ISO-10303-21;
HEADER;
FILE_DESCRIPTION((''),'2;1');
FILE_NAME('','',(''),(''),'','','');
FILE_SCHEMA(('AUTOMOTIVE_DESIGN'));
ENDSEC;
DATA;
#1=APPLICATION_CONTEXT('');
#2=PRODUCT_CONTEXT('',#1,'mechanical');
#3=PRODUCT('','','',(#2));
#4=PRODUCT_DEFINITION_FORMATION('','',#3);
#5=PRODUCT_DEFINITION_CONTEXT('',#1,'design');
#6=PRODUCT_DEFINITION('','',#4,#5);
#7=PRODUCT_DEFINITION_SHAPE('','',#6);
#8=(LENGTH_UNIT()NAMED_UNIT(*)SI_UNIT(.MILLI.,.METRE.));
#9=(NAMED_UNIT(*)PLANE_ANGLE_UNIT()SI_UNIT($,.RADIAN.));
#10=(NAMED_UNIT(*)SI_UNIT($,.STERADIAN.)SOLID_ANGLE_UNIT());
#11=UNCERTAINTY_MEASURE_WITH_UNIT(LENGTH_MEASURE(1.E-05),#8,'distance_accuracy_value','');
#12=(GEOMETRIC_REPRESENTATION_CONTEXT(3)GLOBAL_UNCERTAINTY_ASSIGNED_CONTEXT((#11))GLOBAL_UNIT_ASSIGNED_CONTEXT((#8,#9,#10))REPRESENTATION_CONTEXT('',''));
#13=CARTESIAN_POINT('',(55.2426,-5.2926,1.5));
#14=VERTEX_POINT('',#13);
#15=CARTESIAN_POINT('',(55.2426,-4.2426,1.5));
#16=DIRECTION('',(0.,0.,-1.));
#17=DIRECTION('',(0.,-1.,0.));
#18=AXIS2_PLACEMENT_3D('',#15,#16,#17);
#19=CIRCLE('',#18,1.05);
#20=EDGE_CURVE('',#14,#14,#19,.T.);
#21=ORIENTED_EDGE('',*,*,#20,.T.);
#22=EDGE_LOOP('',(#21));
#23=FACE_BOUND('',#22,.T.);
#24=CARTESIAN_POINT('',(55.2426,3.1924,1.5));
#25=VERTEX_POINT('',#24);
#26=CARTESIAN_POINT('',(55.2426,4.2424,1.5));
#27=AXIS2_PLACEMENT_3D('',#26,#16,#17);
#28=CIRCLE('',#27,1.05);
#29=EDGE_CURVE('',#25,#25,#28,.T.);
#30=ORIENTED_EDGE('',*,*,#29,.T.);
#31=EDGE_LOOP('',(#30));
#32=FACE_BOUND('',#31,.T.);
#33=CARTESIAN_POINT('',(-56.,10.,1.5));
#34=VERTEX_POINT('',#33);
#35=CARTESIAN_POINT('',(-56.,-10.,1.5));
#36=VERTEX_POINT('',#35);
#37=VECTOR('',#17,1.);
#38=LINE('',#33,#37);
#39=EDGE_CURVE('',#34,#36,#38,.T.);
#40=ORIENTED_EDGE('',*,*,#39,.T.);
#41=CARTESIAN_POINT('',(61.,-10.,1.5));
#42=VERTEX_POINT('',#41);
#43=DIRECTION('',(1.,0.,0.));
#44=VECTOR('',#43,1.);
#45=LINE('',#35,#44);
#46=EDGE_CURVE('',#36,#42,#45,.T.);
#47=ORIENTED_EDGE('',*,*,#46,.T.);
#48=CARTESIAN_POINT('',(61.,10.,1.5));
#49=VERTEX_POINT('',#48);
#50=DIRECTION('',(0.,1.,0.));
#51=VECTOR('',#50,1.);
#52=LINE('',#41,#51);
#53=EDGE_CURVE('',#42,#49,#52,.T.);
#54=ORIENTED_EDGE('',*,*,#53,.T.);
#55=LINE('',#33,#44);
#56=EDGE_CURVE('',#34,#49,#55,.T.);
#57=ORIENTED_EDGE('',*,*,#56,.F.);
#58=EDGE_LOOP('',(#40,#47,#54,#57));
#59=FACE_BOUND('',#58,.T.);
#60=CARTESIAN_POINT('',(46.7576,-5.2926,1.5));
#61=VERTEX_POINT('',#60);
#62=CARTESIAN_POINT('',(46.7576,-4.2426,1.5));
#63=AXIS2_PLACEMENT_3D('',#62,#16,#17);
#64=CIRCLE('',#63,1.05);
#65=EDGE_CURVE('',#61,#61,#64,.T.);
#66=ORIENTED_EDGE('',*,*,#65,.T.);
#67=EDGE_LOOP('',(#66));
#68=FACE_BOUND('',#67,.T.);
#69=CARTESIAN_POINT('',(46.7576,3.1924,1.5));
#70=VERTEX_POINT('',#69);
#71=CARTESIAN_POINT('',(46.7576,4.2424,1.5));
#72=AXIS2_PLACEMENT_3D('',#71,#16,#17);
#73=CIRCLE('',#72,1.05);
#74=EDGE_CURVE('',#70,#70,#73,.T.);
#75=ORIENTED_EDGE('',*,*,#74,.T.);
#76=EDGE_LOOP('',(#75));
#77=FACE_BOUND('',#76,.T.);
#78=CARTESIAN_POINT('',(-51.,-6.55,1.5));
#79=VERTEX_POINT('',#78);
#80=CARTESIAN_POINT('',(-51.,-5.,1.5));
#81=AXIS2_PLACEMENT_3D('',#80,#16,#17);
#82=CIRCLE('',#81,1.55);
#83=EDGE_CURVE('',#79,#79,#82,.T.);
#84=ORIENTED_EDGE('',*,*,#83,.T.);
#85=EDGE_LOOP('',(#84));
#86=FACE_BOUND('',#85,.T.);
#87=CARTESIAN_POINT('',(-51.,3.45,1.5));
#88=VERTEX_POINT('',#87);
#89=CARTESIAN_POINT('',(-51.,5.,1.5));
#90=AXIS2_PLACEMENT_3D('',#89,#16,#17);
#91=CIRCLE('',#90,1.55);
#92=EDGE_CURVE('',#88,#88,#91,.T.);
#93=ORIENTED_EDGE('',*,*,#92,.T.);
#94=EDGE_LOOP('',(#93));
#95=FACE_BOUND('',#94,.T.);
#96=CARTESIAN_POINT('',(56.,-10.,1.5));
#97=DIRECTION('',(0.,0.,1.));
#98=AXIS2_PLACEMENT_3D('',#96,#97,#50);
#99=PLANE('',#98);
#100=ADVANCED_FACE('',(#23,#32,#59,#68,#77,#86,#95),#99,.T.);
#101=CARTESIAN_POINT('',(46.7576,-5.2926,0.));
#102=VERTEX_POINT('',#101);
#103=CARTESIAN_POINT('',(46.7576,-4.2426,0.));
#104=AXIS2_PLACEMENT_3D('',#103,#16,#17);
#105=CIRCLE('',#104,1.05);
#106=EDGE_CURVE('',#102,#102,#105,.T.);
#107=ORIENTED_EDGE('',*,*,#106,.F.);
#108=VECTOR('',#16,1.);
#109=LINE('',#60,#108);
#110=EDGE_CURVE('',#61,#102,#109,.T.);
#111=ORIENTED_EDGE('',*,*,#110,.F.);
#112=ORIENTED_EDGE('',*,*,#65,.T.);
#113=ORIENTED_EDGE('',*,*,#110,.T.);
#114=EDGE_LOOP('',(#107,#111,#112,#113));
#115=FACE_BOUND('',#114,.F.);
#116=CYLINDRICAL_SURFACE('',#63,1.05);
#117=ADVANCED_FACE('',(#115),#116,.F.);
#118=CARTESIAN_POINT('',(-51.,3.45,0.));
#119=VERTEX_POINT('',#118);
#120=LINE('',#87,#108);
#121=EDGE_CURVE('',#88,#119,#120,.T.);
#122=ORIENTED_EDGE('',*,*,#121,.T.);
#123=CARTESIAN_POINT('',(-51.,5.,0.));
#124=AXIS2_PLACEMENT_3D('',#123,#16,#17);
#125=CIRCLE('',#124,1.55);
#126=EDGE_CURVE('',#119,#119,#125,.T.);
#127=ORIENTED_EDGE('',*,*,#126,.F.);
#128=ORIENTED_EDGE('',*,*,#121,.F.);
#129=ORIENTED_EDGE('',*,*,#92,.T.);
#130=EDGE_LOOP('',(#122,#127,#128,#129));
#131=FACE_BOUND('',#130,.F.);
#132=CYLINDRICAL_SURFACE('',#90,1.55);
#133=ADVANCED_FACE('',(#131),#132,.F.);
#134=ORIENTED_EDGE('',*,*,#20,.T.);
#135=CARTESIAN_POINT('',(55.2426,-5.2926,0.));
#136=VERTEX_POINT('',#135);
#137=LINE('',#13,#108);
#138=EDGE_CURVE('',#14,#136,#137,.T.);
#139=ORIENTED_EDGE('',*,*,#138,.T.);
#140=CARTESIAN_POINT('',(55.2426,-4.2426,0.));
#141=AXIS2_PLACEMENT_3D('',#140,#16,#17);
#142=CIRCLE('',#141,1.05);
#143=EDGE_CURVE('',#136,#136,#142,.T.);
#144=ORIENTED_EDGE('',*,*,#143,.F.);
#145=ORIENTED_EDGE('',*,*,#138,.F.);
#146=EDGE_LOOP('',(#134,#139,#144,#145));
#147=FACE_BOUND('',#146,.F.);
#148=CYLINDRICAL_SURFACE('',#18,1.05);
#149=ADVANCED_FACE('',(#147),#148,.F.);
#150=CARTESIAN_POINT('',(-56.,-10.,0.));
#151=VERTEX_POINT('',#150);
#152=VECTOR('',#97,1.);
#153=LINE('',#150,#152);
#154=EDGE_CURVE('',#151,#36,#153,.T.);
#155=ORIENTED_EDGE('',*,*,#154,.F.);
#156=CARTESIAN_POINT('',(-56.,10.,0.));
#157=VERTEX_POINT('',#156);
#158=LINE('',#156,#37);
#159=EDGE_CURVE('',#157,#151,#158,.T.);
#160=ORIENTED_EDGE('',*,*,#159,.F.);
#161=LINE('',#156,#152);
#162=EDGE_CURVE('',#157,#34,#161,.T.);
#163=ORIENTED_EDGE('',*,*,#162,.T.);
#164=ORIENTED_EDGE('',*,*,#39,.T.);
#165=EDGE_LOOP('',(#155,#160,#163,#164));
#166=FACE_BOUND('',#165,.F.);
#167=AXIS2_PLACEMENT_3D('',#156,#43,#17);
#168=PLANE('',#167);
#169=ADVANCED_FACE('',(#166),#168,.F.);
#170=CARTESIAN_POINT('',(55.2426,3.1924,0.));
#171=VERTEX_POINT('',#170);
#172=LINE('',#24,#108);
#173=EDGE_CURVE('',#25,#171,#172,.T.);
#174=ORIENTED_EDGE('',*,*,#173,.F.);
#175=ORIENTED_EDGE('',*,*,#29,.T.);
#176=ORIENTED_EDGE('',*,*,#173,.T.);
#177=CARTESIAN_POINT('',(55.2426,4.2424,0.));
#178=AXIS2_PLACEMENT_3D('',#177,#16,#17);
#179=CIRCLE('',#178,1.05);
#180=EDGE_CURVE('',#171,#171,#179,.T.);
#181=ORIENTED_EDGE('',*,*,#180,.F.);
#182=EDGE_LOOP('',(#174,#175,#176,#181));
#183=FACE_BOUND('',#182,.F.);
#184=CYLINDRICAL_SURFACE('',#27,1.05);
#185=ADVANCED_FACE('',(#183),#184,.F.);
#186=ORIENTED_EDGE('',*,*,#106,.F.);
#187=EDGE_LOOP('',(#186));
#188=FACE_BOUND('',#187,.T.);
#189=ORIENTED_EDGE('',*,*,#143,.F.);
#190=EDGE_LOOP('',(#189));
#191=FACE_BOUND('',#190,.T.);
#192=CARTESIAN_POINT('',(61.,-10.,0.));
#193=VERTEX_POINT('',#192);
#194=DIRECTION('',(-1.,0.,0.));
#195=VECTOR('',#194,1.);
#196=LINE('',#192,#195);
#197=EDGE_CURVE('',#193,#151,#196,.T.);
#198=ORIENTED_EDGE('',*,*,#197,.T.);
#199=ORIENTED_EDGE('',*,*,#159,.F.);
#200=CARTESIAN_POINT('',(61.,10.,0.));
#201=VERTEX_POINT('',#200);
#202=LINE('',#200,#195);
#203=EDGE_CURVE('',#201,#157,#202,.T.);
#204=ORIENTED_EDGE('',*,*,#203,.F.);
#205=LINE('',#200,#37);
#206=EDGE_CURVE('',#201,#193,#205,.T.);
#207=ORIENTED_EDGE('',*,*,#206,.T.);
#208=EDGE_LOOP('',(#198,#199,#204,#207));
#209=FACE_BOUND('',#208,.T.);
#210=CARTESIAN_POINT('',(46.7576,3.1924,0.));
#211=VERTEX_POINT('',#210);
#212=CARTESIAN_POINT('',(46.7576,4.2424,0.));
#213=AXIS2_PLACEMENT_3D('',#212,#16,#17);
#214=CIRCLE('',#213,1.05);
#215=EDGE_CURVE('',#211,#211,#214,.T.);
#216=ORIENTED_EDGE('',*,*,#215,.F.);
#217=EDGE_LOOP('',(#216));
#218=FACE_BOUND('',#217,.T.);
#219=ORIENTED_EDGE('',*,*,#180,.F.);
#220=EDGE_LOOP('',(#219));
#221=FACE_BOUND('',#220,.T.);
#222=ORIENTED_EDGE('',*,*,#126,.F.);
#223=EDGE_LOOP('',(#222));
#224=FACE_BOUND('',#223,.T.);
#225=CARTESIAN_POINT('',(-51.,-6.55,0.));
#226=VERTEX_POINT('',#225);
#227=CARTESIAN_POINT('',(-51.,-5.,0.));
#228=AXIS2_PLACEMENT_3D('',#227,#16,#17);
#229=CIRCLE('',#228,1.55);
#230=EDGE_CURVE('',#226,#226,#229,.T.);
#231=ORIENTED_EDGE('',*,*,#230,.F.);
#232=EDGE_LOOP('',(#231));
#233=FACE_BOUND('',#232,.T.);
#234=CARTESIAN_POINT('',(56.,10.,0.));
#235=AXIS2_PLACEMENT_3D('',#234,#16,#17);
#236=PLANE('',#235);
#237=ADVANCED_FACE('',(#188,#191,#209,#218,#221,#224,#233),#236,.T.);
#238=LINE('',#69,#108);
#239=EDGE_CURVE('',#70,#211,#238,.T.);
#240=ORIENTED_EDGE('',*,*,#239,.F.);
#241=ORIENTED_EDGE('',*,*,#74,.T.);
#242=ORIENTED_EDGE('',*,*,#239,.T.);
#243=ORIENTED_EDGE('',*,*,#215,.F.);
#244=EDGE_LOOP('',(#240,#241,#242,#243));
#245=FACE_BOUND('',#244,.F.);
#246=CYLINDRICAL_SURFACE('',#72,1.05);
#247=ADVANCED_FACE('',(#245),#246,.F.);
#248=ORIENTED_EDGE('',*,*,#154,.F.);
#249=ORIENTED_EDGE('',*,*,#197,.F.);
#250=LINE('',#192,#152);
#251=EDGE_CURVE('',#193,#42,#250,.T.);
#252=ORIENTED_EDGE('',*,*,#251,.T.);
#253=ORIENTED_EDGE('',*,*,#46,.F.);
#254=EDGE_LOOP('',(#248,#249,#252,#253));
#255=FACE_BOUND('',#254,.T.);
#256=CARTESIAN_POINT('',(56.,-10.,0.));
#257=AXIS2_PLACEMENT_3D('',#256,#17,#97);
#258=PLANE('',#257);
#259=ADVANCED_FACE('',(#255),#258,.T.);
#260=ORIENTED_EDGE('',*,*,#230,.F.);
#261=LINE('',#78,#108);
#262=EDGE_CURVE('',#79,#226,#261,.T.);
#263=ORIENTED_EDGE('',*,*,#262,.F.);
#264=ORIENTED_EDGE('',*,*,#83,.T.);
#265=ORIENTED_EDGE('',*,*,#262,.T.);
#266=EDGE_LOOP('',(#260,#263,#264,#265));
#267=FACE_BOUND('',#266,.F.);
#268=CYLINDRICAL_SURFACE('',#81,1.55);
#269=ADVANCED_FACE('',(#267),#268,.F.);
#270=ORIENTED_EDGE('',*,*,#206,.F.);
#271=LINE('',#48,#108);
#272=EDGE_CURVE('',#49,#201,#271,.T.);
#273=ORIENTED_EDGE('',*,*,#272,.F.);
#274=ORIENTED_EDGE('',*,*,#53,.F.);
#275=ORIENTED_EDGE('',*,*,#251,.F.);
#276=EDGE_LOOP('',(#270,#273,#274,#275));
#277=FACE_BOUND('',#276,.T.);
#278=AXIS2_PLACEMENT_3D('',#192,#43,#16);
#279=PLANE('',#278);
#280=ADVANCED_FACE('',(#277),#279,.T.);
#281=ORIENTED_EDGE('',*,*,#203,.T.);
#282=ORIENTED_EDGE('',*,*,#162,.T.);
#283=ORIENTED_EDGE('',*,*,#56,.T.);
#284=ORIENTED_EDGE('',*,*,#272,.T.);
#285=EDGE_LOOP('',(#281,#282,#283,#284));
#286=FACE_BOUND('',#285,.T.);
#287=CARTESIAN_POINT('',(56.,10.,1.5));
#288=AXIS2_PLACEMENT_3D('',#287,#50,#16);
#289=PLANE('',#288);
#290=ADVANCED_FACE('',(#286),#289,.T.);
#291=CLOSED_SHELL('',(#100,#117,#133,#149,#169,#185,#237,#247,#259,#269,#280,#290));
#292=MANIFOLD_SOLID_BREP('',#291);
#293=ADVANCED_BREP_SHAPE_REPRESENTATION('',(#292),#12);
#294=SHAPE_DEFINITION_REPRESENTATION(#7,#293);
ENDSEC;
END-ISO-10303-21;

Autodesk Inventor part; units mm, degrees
ref_plane "YZ Plane" through (0, 0, 0) normal (1, 0, 0) x (0, 1, 0)
ref_plane "XZ Plane" through (0, 0, 0) normal (0, 1, 0) x (-1, 0, 0)
ref_plane "XY Plane" through (0, 0, 0) normal (0, 0, 1) x (1, 0, 0)
sketch "スケッチ1" plane through (0, 0, 0) normal (0, 0, 1) x (1, 0, 0)
  line L0 (56, 10) -> (-56, 10)
  line L1 (-56, 10) -> (-56, -10)
  line L2 (-56, -10) -> (56, -10)
  line L3 (56, -10) -> (56, 10)
  line L4 (56, 10) -> (-56, -10) construction
  line L5 (-56, 10) -> (56, -10) construction
  point P0 (0, 0)
  dimension "d0" = 112
  dimension "d1" = 20
extrude "押し出し1" add sketch "スケッチ1" along normal blind 1.5
sketch "スケッチ3" plane through (0, 0, 1.5) normal (0, 0, 1) x (1, 0, 0)
  line L0 (56, 10) -> (-56, 10) projected
  line L1 (-56, 10) -> (-56, -10) projected
  point P0 (0, 0)
  point P1 (-51, 5)
  point P2 (-51, -5)
  dimension "d10" = 10
  dimension "d11" = 5
  dimension "d12" = 5
hole "穴1" at (-51, 5, 1.5) at (-51, -5, 1.5) direction (0, 0, -1) diameter 3.1 end through all
sketch "スケッチ7" plane through (56, -10, 0) normal (1, 0, 0) x (0, 0, -1)
  line L0 (-1.5, 20) -> (0, 20)
  line L1 (0, 20) -> (0, 0)
  line L2 (0, 0) -> (-1.5, 0)
  line L3 (-1.5, 0) -> (-1.5, 20)
  point P0 (0, 10)
extrude "押し出し3" add sketch "スケッチ7" along normal blind 5
sketch "スケッチ8" plane through (0, 0, 1.5) normal (0, 0, 1) x (1, 0, 0)
  line L0 (55.2426, -4.2426) -> (51, 0)
  line L1 (55.2426, -4.2426) -> (61.2426, -4.2426) construction
  line L2 (61, 10) -> (61, -10) projected
  line L3 (-56, -10) -> (61, -10) projected
  point P0 (0, 0)
  point P1 (55.2426, 4.2424)
  point P2 (46.7576, 4.2424)
  point P3 (46.7576, -4.2426)
  dimension "d38" = 6
  dimension "d39" = 135
  dimension "d40" = 10
  dimension "d41" = 10
  dimension "d52" = 8.485
  dimension "d53" = 8.485
hole "穴4" at (55.2426, -4.2426, 1.5) at (46.7576, -4.2426, 1.5) at (46.7576, 4.2424, 1.5) at (55.2426, 4.2424, 1.5) direction (0, 0, -1) diameter 2.1 end through all
properties part number "Fork 4 right ver2.1" material "アルミニウム 5052 H32"
